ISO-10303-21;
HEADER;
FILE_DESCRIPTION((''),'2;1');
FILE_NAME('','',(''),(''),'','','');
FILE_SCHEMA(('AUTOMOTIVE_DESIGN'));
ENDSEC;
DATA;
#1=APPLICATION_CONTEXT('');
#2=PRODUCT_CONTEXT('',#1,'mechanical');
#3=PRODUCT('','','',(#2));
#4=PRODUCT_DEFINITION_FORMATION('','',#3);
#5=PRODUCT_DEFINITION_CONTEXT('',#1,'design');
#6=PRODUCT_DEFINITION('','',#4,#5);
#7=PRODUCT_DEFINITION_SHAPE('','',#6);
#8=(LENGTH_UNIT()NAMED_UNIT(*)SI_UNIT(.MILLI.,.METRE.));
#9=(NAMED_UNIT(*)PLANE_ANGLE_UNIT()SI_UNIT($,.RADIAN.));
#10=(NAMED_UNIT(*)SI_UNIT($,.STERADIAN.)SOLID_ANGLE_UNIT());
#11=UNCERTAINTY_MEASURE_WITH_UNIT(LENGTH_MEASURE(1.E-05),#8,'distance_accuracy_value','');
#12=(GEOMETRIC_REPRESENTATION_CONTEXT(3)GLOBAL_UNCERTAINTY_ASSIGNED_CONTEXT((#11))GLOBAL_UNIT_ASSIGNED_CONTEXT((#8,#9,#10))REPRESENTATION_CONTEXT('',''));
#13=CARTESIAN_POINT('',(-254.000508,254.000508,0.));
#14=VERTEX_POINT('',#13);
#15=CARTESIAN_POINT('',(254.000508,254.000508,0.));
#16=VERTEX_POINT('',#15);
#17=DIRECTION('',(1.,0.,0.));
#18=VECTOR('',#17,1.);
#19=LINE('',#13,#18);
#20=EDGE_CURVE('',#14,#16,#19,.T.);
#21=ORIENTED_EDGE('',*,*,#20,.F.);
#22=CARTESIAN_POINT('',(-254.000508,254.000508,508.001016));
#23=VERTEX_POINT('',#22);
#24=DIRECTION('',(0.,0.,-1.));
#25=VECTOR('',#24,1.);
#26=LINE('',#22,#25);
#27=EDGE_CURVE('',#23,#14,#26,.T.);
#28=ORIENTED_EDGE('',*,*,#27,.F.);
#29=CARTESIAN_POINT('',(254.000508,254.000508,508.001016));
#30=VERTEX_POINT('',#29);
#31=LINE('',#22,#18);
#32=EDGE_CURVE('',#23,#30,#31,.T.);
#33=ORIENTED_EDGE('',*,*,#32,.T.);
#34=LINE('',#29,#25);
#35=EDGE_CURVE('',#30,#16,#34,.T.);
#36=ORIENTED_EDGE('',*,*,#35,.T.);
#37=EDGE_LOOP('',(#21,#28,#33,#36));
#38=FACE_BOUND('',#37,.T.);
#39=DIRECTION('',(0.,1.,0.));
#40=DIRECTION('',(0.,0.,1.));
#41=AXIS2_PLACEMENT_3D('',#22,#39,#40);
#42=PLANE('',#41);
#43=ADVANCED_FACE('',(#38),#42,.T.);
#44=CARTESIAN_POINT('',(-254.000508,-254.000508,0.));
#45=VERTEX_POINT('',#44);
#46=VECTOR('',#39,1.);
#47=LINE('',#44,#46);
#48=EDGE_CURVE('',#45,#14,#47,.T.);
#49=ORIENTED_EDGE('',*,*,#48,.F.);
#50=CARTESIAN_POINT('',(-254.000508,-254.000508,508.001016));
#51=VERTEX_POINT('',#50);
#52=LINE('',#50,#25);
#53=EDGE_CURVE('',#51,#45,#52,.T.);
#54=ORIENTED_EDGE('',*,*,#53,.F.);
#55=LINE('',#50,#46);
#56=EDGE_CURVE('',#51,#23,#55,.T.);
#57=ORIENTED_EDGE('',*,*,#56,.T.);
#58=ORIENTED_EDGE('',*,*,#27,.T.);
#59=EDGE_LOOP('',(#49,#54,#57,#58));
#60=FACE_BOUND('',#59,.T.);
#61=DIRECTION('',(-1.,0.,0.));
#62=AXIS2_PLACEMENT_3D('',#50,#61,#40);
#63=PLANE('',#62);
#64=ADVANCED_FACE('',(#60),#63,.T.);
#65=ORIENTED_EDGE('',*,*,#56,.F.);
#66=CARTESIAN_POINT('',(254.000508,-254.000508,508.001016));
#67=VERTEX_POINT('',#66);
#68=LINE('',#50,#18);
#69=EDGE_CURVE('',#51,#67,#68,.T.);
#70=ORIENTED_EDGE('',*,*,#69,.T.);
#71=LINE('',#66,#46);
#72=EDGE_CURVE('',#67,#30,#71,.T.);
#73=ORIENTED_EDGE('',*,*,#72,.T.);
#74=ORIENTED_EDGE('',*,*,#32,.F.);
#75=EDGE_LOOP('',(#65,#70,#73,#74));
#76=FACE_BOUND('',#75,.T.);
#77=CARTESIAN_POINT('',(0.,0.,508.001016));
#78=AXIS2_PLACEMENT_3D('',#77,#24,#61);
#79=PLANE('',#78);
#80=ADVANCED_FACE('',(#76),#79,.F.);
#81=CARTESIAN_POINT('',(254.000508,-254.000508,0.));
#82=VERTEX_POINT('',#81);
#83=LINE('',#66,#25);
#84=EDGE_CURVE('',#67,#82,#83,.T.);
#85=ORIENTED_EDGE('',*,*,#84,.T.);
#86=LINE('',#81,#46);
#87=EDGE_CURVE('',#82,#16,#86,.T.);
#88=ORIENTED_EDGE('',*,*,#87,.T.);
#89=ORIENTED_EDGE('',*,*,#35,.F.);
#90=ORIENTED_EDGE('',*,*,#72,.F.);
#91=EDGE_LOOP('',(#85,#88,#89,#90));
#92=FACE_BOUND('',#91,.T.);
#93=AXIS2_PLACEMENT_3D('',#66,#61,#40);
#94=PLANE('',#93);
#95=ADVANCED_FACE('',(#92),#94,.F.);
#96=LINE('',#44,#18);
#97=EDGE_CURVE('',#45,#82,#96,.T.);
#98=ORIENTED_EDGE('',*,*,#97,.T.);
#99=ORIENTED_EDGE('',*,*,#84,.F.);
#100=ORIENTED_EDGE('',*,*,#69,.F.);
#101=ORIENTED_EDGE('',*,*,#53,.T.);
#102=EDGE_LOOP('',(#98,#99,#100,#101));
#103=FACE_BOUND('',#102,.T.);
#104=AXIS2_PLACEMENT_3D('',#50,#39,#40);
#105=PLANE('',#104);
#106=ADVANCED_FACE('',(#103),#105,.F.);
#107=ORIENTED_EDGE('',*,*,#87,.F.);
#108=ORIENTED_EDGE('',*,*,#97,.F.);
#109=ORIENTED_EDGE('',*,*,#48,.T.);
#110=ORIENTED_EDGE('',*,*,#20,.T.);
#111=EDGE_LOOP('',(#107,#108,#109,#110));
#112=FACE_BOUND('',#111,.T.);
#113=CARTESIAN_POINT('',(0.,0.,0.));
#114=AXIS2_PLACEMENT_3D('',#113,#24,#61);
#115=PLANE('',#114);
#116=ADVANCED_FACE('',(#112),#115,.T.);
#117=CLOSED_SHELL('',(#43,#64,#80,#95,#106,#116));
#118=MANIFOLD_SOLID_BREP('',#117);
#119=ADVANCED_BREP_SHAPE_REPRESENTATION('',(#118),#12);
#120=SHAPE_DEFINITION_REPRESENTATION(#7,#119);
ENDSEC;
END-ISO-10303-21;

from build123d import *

# Parameters (mm, degrees)
SKETCH1_W           = 508.001016002
SKETCH1_H           = 508.001016002
BOSS_EXTRUDE1_DEPTH = 508.001016002


with BuildPart() as part:
    # Sketch1 → Boss-Extrude1 (new body)
    with BuildSketch(Plane.XY):
        Rectangle(SKETCH1_W, SKETCH1_H)
    extrude(amount=BOSS_EXTRUDE1_DEPTH)


solid = part.part
